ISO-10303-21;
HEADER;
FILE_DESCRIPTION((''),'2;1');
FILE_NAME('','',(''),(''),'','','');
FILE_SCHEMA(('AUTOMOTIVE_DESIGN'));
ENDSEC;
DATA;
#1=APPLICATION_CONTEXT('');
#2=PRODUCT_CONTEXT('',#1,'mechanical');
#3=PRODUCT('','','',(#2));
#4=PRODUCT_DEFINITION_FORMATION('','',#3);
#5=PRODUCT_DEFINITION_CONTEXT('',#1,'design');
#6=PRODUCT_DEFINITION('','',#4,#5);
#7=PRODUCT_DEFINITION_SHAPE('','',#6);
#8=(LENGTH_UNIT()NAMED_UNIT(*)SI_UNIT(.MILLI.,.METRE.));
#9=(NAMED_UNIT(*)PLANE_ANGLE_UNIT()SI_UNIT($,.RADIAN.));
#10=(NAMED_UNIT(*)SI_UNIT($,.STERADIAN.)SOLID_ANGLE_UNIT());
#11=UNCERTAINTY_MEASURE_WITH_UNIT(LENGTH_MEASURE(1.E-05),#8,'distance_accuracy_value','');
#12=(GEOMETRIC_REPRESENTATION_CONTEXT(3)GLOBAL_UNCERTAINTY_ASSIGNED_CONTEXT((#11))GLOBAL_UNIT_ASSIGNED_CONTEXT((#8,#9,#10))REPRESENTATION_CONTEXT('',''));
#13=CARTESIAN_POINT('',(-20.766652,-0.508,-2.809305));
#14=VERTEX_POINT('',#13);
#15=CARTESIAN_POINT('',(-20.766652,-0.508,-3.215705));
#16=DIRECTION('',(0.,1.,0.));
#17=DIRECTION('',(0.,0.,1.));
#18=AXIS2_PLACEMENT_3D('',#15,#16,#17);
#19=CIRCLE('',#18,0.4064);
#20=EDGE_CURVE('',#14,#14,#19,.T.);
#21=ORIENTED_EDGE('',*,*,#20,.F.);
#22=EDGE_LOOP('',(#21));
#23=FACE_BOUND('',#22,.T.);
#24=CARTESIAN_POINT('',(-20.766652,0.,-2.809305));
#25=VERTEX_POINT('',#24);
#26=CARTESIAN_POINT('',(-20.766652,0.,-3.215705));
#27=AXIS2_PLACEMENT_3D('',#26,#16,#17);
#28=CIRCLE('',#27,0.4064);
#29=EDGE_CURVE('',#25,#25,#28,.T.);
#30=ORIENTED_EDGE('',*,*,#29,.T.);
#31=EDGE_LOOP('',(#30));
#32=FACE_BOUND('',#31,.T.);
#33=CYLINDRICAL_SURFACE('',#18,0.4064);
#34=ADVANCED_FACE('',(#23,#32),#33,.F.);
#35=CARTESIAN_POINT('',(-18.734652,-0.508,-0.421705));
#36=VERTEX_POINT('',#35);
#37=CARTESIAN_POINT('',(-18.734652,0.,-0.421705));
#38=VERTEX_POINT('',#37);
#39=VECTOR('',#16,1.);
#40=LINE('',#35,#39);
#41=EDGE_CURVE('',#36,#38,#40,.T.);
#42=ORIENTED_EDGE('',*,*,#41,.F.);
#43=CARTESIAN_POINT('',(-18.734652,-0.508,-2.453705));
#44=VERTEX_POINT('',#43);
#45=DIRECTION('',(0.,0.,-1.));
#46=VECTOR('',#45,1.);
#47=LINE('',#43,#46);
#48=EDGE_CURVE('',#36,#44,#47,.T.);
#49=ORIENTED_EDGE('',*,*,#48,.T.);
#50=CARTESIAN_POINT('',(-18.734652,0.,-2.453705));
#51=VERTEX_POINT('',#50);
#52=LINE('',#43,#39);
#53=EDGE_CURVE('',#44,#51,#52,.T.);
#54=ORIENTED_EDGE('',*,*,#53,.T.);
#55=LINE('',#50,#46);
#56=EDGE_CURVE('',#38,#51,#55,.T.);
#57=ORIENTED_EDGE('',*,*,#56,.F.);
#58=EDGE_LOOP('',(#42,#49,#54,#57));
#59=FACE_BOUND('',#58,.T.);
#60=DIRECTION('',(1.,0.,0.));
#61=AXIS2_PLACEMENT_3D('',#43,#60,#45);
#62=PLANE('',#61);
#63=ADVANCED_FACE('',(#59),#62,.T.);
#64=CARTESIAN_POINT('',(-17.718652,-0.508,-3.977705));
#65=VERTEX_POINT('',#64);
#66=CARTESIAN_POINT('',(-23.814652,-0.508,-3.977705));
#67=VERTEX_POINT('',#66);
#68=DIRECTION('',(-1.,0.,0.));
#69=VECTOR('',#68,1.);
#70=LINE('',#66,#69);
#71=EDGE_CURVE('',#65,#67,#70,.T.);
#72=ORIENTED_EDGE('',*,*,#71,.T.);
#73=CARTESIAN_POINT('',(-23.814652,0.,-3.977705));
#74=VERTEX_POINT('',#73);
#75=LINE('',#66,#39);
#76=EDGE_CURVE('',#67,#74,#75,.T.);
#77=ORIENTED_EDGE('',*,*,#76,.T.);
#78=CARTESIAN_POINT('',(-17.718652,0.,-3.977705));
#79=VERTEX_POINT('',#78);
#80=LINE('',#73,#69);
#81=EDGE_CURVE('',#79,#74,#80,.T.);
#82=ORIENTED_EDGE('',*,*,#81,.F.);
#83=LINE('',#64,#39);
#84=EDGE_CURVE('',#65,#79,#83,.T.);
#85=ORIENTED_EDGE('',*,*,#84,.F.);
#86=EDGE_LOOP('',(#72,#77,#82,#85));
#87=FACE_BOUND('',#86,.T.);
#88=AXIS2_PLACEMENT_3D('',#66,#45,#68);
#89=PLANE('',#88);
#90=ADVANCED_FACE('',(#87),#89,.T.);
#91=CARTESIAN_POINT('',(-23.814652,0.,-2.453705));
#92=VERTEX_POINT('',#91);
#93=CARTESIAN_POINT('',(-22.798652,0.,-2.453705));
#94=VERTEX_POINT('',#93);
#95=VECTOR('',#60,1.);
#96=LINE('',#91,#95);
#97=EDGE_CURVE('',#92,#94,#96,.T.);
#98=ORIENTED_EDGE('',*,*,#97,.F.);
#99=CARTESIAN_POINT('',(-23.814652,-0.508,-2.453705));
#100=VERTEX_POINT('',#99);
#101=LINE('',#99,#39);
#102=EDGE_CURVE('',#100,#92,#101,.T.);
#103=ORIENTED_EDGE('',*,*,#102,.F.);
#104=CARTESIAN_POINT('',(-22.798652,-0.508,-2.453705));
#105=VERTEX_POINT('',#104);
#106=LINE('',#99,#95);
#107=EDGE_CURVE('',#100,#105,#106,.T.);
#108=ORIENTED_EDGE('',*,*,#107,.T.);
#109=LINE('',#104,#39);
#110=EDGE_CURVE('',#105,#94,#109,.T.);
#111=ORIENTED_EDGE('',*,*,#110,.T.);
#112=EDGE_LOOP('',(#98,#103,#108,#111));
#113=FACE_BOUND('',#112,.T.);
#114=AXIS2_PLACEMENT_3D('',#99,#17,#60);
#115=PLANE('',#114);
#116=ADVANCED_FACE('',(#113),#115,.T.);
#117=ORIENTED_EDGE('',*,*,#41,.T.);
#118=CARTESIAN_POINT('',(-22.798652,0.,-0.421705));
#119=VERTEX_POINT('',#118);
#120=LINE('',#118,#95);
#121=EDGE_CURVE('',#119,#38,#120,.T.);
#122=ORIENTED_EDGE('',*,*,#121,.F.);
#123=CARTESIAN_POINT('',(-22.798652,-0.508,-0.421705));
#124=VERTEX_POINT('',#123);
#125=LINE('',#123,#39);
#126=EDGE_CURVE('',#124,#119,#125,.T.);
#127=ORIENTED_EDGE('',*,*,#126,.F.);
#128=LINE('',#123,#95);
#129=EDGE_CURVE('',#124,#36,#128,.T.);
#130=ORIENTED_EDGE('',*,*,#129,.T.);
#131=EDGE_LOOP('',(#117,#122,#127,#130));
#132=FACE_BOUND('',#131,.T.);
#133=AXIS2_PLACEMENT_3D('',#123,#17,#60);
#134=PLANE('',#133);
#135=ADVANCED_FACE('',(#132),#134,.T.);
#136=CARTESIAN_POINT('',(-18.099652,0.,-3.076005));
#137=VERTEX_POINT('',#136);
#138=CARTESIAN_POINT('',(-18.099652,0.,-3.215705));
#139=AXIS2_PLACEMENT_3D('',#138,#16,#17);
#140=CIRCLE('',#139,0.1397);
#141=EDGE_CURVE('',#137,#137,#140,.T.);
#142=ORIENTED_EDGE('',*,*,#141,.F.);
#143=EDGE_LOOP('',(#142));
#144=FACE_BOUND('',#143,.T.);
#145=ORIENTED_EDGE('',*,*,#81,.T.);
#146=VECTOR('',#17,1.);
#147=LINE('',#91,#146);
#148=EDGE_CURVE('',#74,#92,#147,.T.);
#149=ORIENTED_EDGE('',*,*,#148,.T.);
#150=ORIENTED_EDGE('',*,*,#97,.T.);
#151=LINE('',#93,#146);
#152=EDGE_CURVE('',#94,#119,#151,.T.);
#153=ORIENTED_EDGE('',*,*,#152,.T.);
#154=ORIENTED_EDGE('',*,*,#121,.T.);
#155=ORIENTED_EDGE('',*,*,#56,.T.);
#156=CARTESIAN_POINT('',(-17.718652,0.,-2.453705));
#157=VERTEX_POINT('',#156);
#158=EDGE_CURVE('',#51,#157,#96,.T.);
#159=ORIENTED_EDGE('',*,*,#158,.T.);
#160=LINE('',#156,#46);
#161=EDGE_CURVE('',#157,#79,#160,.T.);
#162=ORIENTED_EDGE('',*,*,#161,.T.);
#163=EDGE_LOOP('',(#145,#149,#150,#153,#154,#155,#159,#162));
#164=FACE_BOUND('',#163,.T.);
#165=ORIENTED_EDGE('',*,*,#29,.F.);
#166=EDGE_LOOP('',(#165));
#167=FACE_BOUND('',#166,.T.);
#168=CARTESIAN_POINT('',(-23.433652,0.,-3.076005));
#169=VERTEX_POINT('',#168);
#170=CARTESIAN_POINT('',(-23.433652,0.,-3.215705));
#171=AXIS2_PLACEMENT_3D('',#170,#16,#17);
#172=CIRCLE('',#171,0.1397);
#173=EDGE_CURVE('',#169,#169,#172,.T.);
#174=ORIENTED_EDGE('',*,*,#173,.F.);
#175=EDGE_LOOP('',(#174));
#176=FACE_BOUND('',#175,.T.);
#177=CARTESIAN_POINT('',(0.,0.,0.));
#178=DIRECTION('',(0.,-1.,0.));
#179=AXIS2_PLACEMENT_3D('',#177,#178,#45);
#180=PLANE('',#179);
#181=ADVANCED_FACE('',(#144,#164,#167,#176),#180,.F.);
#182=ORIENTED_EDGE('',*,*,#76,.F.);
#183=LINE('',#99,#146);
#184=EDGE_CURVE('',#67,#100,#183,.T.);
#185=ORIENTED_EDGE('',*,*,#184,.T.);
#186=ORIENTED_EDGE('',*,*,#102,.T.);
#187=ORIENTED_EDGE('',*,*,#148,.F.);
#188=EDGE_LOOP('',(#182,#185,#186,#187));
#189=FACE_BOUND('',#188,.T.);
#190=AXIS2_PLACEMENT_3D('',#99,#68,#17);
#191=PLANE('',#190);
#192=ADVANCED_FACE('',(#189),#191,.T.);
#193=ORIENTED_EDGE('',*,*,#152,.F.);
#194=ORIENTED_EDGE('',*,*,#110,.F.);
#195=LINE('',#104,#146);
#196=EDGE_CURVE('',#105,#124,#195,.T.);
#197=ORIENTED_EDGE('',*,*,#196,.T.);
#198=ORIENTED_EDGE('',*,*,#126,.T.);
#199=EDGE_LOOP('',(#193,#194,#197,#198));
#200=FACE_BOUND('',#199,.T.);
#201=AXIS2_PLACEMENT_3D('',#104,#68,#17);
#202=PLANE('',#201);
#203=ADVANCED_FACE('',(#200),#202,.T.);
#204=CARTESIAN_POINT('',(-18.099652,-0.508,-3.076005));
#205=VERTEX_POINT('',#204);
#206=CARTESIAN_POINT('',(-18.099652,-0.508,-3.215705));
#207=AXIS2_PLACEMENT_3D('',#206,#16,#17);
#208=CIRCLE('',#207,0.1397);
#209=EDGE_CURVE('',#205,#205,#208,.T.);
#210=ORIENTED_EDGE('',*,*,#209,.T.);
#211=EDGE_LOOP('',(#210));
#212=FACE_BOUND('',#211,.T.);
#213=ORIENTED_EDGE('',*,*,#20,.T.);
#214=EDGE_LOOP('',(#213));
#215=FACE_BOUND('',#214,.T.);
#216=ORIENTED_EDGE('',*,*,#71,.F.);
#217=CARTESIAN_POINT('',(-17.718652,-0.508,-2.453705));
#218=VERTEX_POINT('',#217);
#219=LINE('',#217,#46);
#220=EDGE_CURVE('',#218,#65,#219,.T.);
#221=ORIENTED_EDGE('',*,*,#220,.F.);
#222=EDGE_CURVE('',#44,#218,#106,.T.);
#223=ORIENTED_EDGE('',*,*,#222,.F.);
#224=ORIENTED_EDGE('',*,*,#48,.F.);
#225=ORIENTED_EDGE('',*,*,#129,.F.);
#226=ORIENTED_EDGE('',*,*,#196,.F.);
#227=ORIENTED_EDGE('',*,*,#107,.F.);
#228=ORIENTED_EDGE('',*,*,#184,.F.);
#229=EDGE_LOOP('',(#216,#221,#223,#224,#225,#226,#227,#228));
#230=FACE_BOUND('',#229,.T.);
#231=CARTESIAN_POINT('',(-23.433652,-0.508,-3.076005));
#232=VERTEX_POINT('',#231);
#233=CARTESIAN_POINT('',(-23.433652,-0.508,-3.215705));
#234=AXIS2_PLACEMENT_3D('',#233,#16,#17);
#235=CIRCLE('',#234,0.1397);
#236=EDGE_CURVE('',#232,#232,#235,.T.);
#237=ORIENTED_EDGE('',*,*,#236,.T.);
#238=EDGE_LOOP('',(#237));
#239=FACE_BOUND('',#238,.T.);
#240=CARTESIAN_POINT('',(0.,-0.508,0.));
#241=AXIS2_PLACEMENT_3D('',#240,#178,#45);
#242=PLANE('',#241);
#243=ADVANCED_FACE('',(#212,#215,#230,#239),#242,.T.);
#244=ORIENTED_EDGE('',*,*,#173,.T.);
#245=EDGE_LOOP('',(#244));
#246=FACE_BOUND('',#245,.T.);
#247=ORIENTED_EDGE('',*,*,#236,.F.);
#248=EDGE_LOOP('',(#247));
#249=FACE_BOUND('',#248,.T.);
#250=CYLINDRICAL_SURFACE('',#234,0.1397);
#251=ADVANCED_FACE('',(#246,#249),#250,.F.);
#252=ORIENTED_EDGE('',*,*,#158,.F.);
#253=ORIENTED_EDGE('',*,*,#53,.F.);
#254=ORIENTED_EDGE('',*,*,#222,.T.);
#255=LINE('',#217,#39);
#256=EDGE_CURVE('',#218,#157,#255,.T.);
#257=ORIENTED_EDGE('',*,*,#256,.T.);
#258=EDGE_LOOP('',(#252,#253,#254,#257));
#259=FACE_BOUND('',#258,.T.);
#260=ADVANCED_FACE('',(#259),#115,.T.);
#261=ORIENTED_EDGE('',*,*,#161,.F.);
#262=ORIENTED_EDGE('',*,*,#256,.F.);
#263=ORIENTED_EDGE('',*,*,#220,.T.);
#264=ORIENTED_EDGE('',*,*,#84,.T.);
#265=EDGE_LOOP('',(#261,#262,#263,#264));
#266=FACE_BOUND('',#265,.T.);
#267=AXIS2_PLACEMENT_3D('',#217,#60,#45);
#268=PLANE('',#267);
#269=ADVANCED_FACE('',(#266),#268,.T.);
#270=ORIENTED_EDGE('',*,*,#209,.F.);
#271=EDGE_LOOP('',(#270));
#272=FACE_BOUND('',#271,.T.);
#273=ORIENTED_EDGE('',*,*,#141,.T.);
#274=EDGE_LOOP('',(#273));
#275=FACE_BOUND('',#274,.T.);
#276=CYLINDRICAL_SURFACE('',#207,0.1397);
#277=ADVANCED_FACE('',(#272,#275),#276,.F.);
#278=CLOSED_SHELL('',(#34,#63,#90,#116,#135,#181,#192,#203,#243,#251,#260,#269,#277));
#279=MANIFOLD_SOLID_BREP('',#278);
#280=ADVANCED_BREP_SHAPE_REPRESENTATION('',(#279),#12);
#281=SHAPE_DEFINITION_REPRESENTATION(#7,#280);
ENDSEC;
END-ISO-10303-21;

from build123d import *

# Parameters (mm, degrees)
SHUTTLE_W                = 6.096
SHUTTLE_H                = 1.524
SHUTTLE_EXTR_DEPTH       = 0.508
ELEC_BOUNDING_W          = 4.064
ELEC_BOUNDING_H          = 2.032
ELEC_BOUNDING_EXTR_DEPTH = 0.508
DRIVE_SCREW_R            = 0.4064
DRIVE_SCREW_EXTR_DEPTH   = 0.508
GUIDE_HOLES_R            = 0.1397
GUIDE_HOLES_EXTR_DEPTH   = 0.508


with BuildPart() as part:
    # shuttle → shuttle_extr (new body)
    with BuildSketch(Plane(origin=(0, 0, 0), x_dir=(1, 0, 0), z_dir=(0, 1, 0))):
        with Locations((-20.766651572, 3.215704526)):
            Rectangle(SHUTTLE_W, SHUTTLE_H)
    extrude(amount=-SHUTTLE_EXTR_DEPTH)

    # elec_bounding → elec_bounding_extr (add)
    with BuildSketch(Plane(origin=(0, 0, 0), x_dir=(1, 0, 0), z_dir=(0, 1, 0))):
        with Locations((-20.766651572, 1.437704526)):
            Rectangle(ELEC_BOUNDING_W, ELEC_BOUNDING_H)
    extrude(amount=-ELEC_BOUNDING_EXTR_DEPTH)

    # drive_screw → drive_screw_extr (cut)
    with BuildSketch(Plane(origin=(0, 0, 0), x_dir=(1, 0, 0), z_dir=(0, 1, 0))):
        with Locations((-20.766651572, 3.215704526)):
            Circle(DRIVE_SCREW_R)
    extrude(amount=-DRIVE_SCREW_EXTR_DEPTH, mode=Mode.SUBTRACT)

    # guide_holes → guide_holes_extr (cut)
    with BuildSketch(Plane(origin=(0, 0, 0), x_dir=(1, 0, 0), z_dir=(0, 1, 0))):
        with Locations((-23.433651572, 3.215704526)):
            Circle(GUIDE_HOLES_R)
        with Locations((-18.099651572, 3.215704526)):
            Circle(GUIDE_HOLES_R)
    extrude(amount=-GUIDE_HOLES_EXTR_DEPTH, mode=Mode.SUBTRACT)


solid = part.part
